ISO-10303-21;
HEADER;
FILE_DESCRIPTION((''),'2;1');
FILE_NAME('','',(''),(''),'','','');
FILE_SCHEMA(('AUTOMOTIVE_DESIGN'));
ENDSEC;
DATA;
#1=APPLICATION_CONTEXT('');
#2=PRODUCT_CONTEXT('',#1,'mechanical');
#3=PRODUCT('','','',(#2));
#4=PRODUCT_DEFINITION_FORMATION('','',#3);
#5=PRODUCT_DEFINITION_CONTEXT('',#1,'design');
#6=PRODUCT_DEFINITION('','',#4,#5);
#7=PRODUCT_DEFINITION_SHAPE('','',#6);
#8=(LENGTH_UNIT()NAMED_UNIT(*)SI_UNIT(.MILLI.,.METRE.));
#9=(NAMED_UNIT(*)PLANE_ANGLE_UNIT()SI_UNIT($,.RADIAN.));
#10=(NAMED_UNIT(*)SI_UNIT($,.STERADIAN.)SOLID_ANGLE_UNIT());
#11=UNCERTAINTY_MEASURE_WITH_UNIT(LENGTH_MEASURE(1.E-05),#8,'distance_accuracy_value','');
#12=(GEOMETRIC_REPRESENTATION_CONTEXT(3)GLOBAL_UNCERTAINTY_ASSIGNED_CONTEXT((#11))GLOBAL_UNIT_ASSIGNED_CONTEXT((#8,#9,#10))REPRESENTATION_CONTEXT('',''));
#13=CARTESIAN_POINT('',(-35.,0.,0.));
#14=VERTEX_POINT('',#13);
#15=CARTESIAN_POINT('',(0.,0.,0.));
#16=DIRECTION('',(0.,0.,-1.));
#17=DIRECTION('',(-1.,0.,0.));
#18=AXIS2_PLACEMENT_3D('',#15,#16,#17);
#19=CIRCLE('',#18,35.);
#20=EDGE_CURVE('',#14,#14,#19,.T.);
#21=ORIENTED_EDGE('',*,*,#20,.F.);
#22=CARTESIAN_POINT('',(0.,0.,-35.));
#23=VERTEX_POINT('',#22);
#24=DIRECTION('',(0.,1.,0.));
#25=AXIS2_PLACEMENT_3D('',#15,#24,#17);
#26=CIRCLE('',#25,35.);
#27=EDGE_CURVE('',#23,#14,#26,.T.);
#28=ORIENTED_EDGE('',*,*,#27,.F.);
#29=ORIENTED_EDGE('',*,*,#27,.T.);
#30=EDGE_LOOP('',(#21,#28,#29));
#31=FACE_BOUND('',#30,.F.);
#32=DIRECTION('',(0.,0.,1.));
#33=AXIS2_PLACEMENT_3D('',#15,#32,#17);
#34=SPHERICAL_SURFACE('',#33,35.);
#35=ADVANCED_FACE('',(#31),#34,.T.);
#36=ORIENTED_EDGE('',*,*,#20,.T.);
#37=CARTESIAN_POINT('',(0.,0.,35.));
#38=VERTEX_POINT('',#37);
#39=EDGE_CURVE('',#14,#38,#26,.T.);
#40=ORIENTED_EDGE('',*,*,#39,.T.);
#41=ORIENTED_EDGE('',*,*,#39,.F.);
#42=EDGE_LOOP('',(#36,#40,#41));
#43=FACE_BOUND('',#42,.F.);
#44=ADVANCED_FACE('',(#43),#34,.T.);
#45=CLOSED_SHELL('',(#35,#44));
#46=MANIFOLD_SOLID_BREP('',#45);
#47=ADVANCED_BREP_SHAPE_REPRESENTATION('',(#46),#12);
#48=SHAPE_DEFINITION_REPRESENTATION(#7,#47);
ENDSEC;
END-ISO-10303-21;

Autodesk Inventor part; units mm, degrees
ref_plane "YZ Plane" through (0, 0, 0) normal (1, 0, 0) x (0, 1, 0)
ref_plane "XZ Plane" through (0, 0, 0) normal (0, 1, 0) x (-1, 0, 0)
ref_plane "XY Plane" through (0, 0, 0) normal (0, 0, 1) x (1, 0, 0)
sketch "Sketch1" plane through (0, 0, 0) normal (0, 1, 0) x (-1, 0, 0)
  circle A0 centre (0, 0) radius 35
  line L0 (0, 35) -> (0, -35)
  dimension "d0" = 70
revolve "Revolution1" add sketch "Sketch1" angle 360 about axis through (0, 0, 35) along (0, 0, -1) picked at (9.8701, 8.8289) contours A0 L0
properties part number "Objective_70mm_Ball_Manual"
